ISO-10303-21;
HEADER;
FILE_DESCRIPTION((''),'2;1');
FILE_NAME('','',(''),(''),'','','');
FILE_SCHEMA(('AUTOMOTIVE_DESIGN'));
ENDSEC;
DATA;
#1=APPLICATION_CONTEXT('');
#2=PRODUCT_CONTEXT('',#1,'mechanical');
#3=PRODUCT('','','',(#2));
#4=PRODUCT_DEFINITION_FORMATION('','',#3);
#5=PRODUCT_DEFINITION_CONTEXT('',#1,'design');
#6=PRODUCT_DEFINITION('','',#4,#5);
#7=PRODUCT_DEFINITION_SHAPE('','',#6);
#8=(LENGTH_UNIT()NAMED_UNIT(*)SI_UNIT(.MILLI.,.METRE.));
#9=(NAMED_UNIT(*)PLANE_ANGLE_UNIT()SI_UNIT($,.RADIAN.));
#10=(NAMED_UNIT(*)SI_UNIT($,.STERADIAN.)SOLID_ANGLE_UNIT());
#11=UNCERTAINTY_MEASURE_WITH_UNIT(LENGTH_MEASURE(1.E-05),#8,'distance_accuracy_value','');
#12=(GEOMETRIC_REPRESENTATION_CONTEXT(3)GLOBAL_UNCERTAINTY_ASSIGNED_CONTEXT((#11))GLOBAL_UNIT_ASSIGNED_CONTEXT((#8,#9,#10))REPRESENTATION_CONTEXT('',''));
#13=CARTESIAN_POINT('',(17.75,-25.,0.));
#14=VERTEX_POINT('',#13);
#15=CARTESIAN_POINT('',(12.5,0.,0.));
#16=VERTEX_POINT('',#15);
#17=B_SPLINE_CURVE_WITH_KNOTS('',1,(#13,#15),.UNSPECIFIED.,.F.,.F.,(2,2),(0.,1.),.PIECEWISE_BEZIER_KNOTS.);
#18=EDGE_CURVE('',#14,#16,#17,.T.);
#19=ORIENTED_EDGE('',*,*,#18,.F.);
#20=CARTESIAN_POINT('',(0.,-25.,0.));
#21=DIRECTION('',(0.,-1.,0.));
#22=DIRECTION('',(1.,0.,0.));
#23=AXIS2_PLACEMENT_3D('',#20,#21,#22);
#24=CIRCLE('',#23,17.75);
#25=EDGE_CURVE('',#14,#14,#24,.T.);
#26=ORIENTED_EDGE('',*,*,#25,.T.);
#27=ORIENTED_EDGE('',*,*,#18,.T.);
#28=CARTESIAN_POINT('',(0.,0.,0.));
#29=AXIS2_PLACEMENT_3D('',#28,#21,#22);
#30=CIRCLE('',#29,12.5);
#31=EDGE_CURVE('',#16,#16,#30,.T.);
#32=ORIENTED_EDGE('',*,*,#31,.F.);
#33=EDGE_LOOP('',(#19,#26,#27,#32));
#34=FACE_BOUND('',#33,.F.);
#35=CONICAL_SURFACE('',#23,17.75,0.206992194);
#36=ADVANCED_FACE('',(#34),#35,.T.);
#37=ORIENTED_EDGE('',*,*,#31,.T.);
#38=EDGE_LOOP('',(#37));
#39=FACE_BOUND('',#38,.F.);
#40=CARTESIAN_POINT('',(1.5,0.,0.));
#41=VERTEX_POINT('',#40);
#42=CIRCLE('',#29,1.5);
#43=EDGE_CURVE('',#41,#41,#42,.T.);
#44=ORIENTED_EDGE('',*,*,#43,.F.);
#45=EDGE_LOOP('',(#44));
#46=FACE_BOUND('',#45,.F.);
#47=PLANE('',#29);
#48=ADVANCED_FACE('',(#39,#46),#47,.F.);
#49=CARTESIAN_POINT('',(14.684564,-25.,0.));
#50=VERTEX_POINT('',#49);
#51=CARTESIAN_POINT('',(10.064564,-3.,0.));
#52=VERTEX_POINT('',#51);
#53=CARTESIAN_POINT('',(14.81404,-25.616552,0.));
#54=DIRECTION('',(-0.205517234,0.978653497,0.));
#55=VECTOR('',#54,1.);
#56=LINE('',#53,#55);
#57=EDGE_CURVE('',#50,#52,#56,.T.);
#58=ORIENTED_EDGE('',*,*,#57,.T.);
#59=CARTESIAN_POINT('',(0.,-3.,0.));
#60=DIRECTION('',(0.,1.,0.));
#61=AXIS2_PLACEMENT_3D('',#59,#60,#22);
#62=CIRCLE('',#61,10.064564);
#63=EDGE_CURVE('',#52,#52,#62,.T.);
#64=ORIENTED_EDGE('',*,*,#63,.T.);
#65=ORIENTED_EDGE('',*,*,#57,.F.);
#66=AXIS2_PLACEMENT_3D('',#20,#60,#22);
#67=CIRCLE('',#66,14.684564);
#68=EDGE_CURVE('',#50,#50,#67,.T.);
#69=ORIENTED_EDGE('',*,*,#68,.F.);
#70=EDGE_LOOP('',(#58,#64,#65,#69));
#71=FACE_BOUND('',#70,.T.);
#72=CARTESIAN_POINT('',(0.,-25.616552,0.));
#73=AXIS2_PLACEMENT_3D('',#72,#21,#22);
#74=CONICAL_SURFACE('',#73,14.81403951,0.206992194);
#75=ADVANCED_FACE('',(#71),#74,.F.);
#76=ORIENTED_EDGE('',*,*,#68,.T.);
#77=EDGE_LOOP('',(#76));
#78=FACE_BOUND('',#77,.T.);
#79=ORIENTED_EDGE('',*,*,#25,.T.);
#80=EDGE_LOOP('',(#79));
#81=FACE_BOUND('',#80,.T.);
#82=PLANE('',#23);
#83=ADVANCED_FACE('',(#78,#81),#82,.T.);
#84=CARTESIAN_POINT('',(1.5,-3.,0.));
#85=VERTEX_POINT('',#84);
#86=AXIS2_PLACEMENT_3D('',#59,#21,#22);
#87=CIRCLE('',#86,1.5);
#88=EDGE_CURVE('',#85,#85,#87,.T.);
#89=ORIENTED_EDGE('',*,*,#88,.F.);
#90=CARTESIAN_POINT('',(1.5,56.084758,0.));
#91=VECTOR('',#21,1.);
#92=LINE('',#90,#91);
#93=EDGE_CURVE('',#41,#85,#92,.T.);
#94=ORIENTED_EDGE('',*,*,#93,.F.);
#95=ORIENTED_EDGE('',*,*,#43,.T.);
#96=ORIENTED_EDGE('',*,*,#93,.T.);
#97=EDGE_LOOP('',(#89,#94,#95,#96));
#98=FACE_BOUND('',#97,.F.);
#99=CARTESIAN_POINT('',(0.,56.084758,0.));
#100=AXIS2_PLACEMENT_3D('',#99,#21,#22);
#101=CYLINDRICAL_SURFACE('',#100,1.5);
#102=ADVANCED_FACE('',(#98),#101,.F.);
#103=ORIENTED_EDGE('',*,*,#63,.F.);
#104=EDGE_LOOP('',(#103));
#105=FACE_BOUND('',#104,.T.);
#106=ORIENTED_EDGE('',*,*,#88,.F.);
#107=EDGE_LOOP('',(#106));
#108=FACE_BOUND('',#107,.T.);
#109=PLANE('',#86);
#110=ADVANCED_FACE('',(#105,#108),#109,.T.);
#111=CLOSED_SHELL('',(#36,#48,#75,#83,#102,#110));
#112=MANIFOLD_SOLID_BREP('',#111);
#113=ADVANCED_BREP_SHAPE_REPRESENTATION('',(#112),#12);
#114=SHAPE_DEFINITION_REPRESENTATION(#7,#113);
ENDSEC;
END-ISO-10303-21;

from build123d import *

# Parameters (mm, degrees)
F2_R = 17.75
F0_R = 12.5
F4_T = -3
F7_D = 3


with BuildPart() as f3:
    # F2 (on offset) → F3 section 0
    with BuildSketch(Plane.XZ.offset(25)):
        Circle(F2_R)
    # F0 (on Front) → F3 section 1
    with BuildSketch(Plane.XZ):
        Circle(F0_R)
    loft()

    # F4
    f4_openings = [f3.faces().sort_by_distance(p)[0] for p in [
        (0, -25, 0),
    ]]
    offset(amount=F4_T, openings=f4_openings, kind=Kind.INTERSECTION)

    # F7 (through all)
    with Locations(Plane(origin=(0, 0, 0), x_dir=(-1, 0, 0), z_dir=(0, 1, 0))):
        with Locations((0, 0)):
            Hole(F7_D / 2)


solid = f3.part
